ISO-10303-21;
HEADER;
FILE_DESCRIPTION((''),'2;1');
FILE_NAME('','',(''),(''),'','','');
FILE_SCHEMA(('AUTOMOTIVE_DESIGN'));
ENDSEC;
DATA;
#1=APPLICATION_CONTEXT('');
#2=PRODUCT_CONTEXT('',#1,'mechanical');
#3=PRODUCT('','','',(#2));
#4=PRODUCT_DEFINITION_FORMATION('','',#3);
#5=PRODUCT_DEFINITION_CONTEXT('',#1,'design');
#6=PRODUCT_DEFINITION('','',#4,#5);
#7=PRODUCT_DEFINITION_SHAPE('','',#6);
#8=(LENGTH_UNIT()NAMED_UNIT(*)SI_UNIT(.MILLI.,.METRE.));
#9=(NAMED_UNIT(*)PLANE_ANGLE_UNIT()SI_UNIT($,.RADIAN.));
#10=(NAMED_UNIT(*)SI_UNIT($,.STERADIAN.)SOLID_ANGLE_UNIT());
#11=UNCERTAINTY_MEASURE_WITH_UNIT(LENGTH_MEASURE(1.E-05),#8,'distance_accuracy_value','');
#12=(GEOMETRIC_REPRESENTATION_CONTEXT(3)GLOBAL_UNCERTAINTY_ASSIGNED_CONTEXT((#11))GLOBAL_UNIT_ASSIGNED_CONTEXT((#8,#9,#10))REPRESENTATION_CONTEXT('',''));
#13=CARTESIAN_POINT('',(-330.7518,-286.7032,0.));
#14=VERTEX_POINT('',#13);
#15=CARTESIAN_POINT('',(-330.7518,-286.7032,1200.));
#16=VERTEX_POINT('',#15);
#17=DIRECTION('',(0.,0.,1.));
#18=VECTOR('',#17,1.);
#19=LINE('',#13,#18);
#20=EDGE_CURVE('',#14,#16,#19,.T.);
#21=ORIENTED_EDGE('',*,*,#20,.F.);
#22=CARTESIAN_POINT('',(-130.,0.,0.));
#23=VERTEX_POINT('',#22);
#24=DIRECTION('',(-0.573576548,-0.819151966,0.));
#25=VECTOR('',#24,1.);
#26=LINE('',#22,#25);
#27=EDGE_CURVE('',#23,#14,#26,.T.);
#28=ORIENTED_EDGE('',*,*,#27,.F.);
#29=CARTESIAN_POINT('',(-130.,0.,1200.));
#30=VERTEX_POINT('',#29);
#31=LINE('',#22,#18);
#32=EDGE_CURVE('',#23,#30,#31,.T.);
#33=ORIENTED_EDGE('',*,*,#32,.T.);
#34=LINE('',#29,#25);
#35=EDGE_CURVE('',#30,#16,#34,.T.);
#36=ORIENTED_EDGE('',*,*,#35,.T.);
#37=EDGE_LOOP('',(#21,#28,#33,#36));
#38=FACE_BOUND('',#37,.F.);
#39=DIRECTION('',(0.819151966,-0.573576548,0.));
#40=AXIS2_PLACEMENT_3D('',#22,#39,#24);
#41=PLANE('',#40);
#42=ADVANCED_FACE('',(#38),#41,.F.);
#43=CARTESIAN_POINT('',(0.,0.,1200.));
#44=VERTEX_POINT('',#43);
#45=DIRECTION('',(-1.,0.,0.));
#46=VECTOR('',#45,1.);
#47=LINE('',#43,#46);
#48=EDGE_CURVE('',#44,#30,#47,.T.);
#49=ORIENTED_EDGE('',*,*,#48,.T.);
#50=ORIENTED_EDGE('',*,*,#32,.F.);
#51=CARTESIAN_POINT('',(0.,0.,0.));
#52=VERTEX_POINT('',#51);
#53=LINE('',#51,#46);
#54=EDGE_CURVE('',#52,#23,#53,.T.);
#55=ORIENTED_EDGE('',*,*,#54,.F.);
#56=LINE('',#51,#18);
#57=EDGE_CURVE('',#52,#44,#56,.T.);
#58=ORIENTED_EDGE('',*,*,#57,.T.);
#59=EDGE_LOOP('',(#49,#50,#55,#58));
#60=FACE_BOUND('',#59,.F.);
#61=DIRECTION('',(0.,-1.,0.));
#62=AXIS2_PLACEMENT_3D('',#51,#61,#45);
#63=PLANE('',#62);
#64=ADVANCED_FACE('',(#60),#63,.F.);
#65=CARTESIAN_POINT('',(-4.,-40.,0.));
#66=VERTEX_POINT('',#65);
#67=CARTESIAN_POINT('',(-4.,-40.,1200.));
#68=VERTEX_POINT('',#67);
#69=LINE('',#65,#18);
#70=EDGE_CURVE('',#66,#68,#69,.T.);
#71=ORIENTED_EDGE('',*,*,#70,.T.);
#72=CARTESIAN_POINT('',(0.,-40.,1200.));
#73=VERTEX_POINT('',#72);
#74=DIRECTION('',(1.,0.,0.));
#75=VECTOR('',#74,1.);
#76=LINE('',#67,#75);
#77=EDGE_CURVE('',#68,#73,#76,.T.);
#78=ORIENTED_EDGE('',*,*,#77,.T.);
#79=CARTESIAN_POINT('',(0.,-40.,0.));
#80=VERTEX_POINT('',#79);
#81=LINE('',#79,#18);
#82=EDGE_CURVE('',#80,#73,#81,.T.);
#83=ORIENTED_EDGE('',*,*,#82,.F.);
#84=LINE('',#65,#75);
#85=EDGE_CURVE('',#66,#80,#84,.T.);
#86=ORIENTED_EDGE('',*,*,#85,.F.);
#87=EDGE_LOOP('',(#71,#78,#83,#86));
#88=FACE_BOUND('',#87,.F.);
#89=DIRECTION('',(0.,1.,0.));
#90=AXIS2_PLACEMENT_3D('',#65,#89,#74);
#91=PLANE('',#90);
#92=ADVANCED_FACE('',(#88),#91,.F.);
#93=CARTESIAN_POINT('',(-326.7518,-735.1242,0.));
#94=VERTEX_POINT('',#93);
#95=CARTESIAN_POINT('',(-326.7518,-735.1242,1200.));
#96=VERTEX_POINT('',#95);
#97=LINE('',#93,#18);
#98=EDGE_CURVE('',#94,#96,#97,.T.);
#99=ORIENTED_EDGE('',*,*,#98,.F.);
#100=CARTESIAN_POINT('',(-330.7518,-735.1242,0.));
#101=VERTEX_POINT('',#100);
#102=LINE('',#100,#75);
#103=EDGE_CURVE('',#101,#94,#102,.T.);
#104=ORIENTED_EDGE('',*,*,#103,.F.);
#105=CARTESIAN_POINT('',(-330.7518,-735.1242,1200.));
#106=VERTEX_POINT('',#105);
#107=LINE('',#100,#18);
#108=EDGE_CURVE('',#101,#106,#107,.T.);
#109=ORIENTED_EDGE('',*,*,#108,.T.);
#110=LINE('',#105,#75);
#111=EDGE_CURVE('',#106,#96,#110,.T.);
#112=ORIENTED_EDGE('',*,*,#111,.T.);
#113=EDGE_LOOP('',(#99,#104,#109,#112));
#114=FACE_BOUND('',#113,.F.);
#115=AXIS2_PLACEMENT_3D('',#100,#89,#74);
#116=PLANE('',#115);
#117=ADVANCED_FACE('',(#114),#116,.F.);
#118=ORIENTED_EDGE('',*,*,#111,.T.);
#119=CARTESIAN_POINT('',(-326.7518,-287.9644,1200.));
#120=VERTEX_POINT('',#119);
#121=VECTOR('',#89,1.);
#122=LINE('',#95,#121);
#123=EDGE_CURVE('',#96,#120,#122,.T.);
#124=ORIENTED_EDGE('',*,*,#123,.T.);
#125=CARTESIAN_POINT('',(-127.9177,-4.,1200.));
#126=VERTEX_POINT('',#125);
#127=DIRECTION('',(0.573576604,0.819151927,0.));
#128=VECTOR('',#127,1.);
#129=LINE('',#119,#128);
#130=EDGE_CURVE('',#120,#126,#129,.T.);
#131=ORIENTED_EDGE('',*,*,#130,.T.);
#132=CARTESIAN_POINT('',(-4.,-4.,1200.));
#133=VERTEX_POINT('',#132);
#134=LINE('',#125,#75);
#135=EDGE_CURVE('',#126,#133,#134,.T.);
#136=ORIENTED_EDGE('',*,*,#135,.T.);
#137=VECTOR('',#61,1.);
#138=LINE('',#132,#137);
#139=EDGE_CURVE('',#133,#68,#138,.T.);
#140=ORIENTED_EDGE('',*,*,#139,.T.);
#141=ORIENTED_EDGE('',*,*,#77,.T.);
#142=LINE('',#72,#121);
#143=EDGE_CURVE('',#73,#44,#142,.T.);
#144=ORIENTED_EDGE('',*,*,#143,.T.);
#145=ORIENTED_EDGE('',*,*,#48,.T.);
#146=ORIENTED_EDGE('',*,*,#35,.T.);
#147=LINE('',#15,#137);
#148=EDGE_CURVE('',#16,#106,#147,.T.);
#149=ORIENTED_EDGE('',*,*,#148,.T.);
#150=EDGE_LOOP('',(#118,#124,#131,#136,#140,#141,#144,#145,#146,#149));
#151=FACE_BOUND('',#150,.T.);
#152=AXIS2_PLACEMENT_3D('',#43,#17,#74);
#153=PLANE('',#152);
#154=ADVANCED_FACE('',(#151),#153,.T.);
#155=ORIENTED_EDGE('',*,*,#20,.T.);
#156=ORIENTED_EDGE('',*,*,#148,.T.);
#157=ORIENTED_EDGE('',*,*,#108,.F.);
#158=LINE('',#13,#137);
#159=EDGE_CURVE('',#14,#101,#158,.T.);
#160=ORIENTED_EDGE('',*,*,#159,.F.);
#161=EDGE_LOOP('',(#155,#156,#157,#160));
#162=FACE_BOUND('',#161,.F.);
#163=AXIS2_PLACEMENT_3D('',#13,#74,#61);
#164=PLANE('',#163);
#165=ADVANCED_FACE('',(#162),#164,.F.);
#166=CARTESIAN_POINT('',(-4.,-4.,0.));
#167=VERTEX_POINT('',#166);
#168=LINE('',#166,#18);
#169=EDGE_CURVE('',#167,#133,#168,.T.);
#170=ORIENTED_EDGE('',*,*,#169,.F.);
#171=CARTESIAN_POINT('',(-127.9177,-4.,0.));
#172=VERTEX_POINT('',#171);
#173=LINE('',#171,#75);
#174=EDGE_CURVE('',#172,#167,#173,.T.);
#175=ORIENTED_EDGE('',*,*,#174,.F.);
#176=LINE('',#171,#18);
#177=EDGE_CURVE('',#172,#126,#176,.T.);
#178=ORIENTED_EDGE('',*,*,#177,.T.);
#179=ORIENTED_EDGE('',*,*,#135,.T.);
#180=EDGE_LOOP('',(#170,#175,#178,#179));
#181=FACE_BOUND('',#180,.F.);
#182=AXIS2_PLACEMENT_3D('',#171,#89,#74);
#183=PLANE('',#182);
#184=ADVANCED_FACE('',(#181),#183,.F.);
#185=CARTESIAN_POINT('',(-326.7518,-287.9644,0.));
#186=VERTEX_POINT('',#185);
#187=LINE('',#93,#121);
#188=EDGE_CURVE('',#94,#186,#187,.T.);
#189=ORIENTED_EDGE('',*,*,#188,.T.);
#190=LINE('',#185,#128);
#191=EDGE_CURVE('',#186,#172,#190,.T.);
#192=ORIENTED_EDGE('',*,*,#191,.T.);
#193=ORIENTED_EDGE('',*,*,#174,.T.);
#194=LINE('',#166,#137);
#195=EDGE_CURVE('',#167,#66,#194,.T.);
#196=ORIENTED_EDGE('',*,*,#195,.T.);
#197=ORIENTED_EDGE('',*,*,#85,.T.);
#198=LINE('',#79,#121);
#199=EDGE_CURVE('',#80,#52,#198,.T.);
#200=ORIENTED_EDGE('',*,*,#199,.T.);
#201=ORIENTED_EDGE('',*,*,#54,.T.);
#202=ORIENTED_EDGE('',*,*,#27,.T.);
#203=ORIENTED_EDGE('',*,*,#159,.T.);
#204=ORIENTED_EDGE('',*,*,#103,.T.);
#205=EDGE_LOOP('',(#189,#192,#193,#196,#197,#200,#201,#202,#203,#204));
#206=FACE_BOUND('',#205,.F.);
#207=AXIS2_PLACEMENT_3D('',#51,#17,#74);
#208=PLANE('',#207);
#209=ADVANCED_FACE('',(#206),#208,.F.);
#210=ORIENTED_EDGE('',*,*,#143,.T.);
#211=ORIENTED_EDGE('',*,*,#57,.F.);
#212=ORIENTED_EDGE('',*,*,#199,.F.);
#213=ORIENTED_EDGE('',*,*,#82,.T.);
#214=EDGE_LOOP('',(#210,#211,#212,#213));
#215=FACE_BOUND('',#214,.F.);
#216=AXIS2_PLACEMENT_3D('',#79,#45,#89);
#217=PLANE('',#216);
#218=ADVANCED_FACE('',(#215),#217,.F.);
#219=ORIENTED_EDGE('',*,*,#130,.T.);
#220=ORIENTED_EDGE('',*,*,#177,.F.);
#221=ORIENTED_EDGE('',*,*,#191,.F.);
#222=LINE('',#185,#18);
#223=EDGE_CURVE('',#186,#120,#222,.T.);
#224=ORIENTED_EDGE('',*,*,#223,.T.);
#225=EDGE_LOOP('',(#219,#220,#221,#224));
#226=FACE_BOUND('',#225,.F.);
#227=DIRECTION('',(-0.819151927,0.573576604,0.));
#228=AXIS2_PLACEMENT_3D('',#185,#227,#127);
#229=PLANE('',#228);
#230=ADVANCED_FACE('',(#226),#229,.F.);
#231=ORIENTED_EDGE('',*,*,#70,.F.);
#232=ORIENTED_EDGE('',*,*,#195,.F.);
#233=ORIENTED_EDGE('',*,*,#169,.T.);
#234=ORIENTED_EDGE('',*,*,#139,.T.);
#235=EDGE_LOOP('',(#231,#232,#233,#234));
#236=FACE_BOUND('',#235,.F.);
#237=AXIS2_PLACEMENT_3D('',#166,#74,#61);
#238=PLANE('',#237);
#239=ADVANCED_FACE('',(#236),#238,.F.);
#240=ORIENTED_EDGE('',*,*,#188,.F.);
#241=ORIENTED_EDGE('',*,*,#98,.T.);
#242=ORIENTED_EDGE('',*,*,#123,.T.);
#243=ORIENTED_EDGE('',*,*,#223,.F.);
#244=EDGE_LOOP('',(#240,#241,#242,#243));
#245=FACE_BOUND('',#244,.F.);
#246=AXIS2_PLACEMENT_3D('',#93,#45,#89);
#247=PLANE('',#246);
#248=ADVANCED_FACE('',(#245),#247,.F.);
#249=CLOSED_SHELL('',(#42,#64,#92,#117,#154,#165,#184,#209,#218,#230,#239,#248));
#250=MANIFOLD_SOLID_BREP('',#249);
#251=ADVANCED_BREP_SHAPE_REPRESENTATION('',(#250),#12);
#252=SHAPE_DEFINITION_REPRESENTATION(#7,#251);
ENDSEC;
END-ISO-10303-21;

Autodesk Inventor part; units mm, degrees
ref_plane "YZ Plane" through (0, 0, 0) normal (1, 0, 0) x (0, 1, 0)
ref_plane "XZ Plane" through (0, 0, 0) normal (0, 1, 0) x (-1, 0, 0)
ref_plane "XY Plane" through (0, 0, 0) normal (0, 0, 1) x (1, 0, 0)
sketch "Sketch1" plane through (0, 0, 0) normal (0, 0, 1) x (1, 0, 0)
  line L0 (0, -40) -> (0, 0)
  line L1 (0, 0) -> (-130, 0)
  line L2 (-130, 0) -> (-330.7518, -286.7032)
  line L3 (-330.7518, -286.7032) -> (-330.7518, -735.1242)
  line L4 (-326.7518, -735.1242) -> (-326.7518, -287.9644)
  line L5 (-326.7518, -287.9644) -> (-127.9177, -4)
  line L6 (-127.9177, -4) -> (-4, -4)
  line L7 (-4, -4) -> (-4, -40)
  line L8 (-4, -40) -> (0, -40)
  line L9 (-330.7518, -735.1242) -> (-326.7518, -735.1242)
  dimension "d0" = 40
  dimension "d1" = 130
  dimension "d2" = 125
  dimension "d3" = 350
  dimension "d4" = 448.421
  dimension "d5" = 4
extrude "Extrusion1" add sketch "Sketch1" along normal blind 1200
properties part number "polycarbonate cover" material "Polycarbonate, Smoke"
